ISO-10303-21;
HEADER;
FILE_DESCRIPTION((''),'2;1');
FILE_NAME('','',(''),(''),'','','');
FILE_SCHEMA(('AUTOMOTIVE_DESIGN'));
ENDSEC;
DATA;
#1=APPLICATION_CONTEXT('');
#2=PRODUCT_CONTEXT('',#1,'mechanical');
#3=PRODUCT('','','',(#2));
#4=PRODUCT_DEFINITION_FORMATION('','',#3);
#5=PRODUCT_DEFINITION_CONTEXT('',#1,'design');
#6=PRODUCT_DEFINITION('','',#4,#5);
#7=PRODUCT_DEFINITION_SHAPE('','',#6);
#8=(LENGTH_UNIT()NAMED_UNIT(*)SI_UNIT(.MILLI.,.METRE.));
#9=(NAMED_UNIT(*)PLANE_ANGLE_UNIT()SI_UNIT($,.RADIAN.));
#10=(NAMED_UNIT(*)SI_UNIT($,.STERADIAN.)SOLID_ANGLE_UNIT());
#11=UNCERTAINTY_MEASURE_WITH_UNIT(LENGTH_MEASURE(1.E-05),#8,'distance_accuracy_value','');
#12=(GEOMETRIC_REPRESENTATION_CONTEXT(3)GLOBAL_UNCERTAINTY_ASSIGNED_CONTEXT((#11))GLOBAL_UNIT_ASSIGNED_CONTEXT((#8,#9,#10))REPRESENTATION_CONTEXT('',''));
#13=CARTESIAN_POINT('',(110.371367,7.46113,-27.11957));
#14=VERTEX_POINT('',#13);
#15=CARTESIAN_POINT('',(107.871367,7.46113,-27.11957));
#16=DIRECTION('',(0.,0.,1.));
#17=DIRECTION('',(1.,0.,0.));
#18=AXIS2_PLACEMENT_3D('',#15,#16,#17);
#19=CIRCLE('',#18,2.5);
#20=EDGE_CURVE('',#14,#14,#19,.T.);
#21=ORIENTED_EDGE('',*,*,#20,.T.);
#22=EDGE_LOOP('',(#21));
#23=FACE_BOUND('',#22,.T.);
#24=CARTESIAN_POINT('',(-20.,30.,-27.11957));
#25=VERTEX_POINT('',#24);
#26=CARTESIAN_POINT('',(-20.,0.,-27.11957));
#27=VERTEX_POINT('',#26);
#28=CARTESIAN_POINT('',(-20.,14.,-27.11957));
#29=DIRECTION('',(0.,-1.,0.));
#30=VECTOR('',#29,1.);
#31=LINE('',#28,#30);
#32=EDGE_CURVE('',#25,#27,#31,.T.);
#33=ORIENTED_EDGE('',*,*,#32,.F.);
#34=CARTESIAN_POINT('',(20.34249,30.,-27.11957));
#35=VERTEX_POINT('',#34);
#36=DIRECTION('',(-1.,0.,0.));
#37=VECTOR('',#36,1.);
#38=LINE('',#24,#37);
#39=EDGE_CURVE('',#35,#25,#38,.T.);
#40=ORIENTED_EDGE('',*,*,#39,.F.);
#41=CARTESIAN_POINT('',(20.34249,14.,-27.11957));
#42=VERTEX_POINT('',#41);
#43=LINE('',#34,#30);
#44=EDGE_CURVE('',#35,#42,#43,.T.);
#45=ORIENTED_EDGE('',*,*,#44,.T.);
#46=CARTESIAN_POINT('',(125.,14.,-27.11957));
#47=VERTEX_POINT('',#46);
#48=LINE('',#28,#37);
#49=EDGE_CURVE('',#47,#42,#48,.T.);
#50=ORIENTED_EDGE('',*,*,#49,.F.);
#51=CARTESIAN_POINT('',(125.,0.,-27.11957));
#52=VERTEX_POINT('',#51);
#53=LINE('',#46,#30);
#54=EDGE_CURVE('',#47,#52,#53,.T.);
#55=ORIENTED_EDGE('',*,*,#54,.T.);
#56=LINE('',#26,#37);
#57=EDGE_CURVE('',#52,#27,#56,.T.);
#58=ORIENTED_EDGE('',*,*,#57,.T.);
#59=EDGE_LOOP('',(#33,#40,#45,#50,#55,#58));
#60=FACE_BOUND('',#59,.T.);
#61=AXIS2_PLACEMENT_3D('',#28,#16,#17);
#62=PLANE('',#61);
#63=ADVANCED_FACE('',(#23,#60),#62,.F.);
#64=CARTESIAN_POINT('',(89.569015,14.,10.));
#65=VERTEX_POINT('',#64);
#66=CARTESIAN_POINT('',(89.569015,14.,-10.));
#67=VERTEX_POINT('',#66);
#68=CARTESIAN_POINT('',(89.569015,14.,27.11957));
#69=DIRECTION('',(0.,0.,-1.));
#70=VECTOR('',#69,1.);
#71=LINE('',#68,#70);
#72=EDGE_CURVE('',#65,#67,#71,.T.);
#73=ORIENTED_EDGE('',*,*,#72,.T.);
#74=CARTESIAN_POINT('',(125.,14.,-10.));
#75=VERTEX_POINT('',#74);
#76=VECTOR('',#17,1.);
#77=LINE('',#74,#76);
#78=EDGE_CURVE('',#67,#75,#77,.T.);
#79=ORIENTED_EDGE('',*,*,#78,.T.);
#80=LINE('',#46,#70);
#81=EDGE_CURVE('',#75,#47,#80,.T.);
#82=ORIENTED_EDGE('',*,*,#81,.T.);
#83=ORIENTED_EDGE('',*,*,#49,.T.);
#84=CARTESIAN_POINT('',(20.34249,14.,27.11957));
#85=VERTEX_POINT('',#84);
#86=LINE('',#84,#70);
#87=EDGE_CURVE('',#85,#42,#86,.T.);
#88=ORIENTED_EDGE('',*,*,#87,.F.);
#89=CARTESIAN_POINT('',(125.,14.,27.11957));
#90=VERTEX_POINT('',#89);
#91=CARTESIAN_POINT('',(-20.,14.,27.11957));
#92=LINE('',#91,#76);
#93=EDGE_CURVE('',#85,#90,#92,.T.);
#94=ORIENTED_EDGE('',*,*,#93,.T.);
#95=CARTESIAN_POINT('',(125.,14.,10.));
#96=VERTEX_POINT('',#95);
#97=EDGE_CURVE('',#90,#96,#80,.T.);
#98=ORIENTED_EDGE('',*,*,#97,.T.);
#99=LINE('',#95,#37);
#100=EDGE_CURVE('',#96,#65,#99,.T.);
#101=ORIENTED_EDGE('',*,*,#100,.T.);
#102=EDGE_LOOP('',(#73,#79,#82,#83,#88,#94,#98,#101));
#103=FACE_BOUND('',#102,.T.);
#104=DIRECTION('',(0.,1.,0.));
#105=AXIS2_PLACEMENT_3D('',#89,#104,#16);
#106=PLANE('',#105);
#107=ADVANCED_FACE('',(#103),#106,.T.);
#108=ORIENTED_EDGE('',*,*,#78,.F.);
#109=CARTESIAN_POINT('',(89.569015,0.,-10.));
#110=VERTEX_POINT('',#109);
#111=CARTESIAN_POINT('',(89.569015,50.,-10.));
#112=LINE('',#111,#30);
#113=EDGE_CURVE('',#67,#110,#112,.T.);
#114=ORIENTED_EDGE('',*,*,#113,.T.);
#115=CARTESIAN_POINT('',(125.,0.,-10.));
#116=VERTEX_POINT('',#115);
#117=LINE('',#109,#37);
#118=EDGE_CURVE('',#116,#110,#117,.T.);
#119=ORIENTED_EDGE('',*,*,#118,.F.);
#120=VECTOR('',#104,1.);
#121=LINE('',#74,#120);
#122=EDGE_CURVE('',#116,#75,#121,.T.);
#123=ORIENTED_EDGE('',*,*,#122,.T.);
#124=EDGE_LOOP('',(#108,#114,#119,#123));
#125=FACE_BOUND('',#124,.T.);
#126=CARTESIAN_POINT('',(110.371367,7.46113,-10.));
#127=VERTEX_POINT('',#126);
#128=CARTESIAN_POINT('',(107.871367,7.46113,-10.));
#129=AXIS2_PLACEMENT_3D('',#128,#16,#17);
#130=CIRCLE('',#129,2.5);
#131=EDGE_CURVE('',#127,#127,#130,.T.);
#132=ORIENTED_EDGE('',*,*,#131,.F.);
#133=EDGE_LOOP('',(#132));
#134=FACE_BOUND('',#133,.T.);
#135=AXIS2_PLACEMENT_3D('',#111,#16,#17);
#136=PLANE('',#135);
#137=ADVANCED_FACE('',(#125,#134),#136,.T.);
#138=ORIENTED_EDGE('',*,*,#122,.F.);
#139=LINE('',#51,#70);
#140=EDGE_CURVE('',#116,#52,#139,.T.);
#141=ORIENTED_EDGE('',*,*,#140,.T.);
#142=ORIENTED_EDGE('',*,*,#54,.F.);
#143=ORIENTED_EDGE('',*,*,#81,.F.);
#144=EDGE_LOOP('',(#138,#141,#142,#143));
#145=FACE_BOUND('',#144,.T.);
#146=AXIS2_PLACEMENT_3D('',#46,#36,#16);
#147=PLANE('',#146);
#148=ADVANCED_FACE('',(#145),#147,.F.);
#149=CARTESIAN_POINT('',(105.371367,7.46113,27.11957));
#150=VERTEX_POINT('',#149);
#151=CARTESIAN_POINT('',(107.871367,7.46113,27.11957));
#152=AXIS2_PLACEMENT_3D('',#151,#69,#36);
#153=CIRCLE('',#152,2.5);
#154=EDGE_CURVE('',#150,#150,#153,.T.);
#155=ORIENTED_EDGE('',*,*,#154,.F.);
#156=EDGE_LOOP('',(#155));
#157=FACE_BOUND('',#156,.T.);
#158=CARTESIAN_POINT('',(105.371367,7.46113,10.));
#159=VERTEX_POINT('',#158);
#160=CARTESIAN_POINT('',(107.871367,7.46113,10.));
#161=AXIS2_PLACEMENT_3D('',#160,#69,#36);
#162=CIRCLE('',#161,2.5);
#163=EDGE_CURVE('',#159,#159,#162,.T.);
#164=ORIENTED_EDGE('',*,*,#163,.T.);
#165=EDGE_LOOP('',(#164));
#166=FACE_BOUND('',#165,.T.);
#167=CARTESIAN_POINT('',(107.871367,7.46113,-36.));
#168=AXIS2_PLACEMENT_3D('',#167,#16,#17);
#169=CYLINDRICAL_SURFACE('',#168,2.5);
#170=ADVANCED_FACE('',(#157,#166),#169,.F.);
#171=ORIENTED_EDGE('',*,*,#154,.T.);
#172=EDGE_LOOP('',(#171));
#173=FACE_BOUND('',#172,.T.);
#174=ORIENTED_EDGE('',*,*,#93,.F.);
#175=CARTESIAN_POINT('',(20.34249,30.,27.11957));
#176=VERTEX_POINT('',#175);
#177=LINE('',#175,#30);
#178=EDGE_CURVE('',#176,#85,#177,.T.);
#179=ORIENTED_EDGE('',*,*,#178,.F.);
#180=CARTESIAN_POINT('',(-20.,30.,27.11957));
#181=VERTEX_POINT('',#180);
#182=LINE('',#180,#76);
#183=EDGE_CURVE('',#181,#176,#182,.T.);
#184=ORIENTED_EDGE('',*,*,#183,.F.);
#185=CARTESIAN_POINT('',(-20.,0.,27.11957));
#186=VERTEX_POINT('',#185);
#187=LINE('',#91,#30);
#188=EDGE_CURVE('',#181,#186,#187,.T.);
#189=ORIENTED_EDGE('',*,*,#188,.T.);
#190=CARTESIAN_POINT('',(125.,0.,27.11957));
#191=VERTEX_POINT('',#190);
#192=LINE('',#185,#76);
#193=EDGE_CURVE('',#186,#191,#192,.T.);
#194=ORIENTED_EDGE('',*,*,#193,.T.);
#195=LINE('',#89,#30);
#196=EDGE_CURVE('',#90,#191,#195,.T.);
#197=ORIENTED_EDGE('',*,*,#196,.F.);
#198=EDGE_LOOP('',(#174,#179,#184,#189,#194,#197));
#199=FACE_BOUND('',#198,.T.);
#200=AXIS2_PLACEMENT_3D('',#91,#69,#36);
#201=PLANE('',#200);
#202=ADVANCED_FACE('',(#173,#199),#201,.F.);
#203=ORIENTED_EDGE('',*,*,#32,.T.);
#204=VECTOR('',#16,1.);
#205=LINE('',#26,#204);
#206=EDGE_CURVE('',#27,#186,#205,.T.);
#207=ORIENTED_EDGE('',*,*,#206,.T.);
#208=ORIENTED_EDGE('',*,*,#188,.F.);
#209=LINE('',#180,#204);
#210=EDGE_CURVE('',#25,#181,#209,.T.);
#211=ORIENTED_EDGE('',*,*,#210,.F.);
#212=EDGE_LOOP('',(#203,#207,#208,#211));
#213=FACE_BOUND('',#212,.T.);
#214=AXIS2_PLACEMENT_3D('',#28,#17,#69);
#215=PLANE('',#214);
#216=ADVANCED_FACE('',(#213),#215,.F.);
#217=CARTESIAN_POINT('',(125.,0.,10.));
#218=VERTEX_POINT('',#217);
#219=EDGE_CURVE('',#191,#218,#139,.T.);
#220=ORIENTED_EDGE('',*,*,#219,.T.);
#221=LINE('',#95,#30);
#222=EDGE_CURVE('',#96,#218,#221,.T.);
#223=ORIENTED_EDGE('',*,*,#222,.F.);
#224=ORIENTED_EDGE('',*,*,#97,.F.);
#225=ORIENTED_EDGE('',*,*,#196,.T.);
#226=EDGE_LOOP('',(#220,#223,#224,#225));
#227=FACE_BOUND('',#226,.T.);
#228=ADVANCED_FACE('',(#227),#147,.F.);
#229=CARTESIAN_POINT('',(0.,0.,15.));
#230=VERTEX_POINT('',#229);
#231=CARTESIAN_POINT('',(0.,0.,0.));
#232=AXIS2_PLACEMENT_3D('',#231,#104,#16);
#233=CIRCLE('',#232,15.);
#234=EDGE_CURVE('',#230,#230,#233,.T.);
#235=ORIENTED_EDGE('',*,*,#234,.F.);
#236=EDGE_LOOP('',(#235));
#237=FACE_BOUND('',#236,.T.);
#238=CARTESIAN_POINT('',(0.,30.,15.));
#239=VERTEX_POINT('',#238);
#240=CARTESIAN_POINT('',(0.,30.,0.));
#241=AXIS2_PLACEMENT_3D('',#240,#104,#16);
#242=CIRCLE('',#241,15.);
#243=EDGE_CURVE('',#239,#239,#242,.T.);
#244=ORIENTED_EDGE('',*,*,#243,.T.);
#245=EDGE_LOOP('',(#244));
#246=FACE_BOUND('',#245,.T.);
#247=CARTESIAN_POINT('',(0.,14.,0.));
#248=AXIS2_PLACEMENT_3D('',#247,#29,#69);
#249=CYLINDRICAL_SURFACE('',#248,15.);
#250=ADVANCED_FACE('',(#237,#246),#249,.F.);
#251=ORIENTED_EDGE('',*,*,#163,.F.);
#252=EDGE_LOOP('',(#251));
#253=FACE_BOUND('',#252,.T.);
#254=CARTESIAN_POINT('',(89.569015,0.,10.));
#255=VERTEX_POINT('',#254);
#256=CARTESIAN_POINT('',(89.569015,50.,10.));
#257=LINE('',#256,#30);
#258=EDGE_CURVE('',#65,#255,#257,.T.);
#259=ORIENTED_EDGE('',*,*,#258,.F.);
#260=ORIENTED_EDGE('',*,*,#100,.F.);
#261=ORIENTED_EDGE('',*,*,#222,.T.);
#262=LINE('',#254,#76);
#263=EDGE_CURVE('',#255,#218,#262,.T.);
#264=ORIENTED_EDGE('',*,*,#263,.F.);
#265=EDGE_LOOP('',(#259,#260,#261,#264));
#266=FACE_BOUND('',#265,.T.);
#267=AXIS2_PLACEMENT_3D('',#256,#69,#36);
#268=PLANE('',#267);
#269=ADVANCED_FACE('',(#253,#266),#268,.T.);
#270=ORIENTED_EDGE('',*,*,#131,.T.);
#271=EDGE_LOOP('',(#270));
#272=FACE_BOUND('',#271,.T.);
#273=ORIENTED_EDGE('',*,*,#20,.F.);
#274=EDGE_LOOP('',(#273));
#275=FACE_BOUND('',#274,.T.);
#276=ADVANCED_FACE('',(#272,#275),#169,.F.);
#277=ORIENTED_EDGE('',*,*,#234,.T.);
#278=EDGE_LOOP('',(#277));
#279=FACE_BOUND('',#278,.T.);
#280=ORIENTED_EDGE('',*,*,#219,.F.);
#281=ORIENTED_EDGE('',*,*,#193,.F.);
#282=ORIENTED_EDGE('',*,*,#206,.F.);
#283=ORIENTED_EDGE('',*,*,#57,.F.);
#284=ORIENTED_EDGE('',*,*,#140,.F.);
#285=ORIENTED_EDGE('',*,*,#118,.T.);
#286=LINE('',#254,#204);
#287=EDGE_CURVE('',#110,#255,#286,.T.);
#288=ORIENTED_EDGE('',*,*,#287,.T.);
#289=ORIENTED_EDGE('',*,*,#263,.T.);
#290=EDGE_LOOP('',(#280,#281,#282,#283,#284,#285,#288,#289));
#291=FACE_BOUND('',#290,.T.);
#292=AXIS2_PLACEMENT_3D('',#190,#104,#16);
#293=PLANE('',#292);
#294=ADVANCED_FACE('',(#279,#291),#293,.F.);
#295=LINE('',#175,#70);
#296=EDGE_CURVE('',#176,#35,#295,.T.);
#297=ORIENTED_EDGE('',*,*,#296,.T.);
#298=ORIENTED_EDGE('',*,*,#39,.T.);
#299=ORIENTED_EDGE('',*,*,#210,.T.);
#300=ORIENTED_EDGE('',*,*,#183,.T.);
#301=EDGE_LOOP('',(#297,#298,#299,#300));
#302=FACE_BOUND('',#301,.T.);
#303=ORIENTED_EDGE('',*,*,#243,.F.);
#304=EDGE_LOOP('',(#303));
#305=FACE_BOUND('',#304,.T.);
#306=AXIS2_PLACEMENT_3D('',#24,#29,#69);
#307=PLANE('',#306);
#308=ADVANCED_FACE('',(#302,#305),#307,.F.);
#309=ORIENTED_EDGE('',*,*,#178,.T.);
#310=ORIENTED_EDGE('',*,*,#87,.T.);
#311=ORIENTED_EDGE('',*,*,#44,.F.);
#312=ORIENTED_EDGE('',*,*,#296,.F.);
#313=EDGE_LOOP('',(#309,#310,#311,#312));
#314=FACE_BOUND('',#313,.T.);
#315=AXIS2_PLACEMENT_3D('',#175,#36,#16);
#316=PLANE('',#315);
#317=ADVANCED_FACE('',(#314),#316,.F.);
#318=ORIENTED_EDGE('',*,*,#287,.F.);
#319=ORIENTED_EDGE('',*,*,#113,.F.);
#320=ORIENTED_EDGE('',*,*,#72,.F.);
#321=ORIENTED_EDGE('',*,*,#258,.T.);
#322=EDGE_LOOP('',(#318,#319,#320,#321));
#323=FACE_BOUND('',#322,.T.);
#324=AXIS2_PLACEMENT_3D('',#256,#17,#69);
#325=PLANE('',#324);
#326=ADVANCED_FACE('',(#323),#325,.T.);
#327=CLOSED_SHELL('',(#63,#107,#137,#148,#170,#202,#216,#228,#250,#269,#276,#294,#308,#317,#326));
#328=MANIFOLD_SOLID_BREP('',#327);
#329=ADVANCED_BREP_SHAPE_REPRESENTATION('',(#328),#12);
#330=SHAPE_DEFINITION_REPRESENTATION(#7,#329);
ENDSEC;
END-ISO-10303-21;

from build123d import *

# Parameters (mm, degrees)
SKETCH_1_W          = 145
SKETCH_1_H          = 54.239140964
SKETCH_1_R          = 15
EXTRUDE_1_DEPTH     = 14
SKETCH_2_W          = 40.973545211
SKETCH_2_H          = 20
CUT_EXTRUDE_1_DEPTH = 50
SKETCH_3_R          = 2.5
CUT_EXTRUDE_2_DEPTH = 36
SKETCH_4_W          = 40.34248958
SKETCH_4_H          = 54.239140964
SKETCH_4_R          = 15
EXTRUDE_2_DEPTH     = 16


with BuildPart() as part:
    # Эскиз1 → Вытянуть1 (new body)
    with BuildSketch(Plane(origin=(0, 0, 0), x_dir=(1, 0, 0), z_dir=(0, 1, 0))):
        with Locations((52.5, 0)):
            Rectangle(SKETCH_1_W, SKETCH_1_H)
        with Locations(Location((0, 0, 0), (0, 0, 270))):
            Circle(SKETCH_1_R, mode=Mode.SUBTRACT)
    extrude(amount=EXTRUDE_1_DEPTH)

    # Эскиз2 → Вырез-Вытянуть1 (cut)
    with BuildSketch(Plane(origin=(0, 0, 0), x_dir=(1, 0, 0), z_dir=(0, 1, 0))):
        with Locations((110.055787262, 0)):
            Rectangle(SKETCH_2_W, SKETCH_2_H)
    extrude(amount=CUT_EXTRUDE_1_DEPTH, mode=Mode.SUBTRACT)

    # Эскиз3 → Вырез-Вытянуть2 (cut, symmetric)
    with BuildSketch(Plane.XY):
        with Locations(Location((107.871367235, 7.461129595, 0), (0, 0, 180))):
            Circle(SKETCH_3_R)
    extrude(amount=CUT_EXTRUDE_2_DEPTH, both=True, mode=Mode.SUBTRACT)

    # Эскиз4 → Вытянуть2 (add)
    with BuildSketch(Plane(origin=(0, 14, 0), x_dir=(1, 0, 0), z_dir=(0, 1, 0))):
        with Locations((0.17124479, 0)):
            Rectangle(SKETCH_4_W, SKETCH_4_H)
        with Locations(Location((0, 0, 0), (0, 0, 270))):
            Circle(SKETCH_4_R, mode=Mode.SUBTRACT)
    extrude(amount=EXTRUDE_2_DEPTH)


solid = part.part
